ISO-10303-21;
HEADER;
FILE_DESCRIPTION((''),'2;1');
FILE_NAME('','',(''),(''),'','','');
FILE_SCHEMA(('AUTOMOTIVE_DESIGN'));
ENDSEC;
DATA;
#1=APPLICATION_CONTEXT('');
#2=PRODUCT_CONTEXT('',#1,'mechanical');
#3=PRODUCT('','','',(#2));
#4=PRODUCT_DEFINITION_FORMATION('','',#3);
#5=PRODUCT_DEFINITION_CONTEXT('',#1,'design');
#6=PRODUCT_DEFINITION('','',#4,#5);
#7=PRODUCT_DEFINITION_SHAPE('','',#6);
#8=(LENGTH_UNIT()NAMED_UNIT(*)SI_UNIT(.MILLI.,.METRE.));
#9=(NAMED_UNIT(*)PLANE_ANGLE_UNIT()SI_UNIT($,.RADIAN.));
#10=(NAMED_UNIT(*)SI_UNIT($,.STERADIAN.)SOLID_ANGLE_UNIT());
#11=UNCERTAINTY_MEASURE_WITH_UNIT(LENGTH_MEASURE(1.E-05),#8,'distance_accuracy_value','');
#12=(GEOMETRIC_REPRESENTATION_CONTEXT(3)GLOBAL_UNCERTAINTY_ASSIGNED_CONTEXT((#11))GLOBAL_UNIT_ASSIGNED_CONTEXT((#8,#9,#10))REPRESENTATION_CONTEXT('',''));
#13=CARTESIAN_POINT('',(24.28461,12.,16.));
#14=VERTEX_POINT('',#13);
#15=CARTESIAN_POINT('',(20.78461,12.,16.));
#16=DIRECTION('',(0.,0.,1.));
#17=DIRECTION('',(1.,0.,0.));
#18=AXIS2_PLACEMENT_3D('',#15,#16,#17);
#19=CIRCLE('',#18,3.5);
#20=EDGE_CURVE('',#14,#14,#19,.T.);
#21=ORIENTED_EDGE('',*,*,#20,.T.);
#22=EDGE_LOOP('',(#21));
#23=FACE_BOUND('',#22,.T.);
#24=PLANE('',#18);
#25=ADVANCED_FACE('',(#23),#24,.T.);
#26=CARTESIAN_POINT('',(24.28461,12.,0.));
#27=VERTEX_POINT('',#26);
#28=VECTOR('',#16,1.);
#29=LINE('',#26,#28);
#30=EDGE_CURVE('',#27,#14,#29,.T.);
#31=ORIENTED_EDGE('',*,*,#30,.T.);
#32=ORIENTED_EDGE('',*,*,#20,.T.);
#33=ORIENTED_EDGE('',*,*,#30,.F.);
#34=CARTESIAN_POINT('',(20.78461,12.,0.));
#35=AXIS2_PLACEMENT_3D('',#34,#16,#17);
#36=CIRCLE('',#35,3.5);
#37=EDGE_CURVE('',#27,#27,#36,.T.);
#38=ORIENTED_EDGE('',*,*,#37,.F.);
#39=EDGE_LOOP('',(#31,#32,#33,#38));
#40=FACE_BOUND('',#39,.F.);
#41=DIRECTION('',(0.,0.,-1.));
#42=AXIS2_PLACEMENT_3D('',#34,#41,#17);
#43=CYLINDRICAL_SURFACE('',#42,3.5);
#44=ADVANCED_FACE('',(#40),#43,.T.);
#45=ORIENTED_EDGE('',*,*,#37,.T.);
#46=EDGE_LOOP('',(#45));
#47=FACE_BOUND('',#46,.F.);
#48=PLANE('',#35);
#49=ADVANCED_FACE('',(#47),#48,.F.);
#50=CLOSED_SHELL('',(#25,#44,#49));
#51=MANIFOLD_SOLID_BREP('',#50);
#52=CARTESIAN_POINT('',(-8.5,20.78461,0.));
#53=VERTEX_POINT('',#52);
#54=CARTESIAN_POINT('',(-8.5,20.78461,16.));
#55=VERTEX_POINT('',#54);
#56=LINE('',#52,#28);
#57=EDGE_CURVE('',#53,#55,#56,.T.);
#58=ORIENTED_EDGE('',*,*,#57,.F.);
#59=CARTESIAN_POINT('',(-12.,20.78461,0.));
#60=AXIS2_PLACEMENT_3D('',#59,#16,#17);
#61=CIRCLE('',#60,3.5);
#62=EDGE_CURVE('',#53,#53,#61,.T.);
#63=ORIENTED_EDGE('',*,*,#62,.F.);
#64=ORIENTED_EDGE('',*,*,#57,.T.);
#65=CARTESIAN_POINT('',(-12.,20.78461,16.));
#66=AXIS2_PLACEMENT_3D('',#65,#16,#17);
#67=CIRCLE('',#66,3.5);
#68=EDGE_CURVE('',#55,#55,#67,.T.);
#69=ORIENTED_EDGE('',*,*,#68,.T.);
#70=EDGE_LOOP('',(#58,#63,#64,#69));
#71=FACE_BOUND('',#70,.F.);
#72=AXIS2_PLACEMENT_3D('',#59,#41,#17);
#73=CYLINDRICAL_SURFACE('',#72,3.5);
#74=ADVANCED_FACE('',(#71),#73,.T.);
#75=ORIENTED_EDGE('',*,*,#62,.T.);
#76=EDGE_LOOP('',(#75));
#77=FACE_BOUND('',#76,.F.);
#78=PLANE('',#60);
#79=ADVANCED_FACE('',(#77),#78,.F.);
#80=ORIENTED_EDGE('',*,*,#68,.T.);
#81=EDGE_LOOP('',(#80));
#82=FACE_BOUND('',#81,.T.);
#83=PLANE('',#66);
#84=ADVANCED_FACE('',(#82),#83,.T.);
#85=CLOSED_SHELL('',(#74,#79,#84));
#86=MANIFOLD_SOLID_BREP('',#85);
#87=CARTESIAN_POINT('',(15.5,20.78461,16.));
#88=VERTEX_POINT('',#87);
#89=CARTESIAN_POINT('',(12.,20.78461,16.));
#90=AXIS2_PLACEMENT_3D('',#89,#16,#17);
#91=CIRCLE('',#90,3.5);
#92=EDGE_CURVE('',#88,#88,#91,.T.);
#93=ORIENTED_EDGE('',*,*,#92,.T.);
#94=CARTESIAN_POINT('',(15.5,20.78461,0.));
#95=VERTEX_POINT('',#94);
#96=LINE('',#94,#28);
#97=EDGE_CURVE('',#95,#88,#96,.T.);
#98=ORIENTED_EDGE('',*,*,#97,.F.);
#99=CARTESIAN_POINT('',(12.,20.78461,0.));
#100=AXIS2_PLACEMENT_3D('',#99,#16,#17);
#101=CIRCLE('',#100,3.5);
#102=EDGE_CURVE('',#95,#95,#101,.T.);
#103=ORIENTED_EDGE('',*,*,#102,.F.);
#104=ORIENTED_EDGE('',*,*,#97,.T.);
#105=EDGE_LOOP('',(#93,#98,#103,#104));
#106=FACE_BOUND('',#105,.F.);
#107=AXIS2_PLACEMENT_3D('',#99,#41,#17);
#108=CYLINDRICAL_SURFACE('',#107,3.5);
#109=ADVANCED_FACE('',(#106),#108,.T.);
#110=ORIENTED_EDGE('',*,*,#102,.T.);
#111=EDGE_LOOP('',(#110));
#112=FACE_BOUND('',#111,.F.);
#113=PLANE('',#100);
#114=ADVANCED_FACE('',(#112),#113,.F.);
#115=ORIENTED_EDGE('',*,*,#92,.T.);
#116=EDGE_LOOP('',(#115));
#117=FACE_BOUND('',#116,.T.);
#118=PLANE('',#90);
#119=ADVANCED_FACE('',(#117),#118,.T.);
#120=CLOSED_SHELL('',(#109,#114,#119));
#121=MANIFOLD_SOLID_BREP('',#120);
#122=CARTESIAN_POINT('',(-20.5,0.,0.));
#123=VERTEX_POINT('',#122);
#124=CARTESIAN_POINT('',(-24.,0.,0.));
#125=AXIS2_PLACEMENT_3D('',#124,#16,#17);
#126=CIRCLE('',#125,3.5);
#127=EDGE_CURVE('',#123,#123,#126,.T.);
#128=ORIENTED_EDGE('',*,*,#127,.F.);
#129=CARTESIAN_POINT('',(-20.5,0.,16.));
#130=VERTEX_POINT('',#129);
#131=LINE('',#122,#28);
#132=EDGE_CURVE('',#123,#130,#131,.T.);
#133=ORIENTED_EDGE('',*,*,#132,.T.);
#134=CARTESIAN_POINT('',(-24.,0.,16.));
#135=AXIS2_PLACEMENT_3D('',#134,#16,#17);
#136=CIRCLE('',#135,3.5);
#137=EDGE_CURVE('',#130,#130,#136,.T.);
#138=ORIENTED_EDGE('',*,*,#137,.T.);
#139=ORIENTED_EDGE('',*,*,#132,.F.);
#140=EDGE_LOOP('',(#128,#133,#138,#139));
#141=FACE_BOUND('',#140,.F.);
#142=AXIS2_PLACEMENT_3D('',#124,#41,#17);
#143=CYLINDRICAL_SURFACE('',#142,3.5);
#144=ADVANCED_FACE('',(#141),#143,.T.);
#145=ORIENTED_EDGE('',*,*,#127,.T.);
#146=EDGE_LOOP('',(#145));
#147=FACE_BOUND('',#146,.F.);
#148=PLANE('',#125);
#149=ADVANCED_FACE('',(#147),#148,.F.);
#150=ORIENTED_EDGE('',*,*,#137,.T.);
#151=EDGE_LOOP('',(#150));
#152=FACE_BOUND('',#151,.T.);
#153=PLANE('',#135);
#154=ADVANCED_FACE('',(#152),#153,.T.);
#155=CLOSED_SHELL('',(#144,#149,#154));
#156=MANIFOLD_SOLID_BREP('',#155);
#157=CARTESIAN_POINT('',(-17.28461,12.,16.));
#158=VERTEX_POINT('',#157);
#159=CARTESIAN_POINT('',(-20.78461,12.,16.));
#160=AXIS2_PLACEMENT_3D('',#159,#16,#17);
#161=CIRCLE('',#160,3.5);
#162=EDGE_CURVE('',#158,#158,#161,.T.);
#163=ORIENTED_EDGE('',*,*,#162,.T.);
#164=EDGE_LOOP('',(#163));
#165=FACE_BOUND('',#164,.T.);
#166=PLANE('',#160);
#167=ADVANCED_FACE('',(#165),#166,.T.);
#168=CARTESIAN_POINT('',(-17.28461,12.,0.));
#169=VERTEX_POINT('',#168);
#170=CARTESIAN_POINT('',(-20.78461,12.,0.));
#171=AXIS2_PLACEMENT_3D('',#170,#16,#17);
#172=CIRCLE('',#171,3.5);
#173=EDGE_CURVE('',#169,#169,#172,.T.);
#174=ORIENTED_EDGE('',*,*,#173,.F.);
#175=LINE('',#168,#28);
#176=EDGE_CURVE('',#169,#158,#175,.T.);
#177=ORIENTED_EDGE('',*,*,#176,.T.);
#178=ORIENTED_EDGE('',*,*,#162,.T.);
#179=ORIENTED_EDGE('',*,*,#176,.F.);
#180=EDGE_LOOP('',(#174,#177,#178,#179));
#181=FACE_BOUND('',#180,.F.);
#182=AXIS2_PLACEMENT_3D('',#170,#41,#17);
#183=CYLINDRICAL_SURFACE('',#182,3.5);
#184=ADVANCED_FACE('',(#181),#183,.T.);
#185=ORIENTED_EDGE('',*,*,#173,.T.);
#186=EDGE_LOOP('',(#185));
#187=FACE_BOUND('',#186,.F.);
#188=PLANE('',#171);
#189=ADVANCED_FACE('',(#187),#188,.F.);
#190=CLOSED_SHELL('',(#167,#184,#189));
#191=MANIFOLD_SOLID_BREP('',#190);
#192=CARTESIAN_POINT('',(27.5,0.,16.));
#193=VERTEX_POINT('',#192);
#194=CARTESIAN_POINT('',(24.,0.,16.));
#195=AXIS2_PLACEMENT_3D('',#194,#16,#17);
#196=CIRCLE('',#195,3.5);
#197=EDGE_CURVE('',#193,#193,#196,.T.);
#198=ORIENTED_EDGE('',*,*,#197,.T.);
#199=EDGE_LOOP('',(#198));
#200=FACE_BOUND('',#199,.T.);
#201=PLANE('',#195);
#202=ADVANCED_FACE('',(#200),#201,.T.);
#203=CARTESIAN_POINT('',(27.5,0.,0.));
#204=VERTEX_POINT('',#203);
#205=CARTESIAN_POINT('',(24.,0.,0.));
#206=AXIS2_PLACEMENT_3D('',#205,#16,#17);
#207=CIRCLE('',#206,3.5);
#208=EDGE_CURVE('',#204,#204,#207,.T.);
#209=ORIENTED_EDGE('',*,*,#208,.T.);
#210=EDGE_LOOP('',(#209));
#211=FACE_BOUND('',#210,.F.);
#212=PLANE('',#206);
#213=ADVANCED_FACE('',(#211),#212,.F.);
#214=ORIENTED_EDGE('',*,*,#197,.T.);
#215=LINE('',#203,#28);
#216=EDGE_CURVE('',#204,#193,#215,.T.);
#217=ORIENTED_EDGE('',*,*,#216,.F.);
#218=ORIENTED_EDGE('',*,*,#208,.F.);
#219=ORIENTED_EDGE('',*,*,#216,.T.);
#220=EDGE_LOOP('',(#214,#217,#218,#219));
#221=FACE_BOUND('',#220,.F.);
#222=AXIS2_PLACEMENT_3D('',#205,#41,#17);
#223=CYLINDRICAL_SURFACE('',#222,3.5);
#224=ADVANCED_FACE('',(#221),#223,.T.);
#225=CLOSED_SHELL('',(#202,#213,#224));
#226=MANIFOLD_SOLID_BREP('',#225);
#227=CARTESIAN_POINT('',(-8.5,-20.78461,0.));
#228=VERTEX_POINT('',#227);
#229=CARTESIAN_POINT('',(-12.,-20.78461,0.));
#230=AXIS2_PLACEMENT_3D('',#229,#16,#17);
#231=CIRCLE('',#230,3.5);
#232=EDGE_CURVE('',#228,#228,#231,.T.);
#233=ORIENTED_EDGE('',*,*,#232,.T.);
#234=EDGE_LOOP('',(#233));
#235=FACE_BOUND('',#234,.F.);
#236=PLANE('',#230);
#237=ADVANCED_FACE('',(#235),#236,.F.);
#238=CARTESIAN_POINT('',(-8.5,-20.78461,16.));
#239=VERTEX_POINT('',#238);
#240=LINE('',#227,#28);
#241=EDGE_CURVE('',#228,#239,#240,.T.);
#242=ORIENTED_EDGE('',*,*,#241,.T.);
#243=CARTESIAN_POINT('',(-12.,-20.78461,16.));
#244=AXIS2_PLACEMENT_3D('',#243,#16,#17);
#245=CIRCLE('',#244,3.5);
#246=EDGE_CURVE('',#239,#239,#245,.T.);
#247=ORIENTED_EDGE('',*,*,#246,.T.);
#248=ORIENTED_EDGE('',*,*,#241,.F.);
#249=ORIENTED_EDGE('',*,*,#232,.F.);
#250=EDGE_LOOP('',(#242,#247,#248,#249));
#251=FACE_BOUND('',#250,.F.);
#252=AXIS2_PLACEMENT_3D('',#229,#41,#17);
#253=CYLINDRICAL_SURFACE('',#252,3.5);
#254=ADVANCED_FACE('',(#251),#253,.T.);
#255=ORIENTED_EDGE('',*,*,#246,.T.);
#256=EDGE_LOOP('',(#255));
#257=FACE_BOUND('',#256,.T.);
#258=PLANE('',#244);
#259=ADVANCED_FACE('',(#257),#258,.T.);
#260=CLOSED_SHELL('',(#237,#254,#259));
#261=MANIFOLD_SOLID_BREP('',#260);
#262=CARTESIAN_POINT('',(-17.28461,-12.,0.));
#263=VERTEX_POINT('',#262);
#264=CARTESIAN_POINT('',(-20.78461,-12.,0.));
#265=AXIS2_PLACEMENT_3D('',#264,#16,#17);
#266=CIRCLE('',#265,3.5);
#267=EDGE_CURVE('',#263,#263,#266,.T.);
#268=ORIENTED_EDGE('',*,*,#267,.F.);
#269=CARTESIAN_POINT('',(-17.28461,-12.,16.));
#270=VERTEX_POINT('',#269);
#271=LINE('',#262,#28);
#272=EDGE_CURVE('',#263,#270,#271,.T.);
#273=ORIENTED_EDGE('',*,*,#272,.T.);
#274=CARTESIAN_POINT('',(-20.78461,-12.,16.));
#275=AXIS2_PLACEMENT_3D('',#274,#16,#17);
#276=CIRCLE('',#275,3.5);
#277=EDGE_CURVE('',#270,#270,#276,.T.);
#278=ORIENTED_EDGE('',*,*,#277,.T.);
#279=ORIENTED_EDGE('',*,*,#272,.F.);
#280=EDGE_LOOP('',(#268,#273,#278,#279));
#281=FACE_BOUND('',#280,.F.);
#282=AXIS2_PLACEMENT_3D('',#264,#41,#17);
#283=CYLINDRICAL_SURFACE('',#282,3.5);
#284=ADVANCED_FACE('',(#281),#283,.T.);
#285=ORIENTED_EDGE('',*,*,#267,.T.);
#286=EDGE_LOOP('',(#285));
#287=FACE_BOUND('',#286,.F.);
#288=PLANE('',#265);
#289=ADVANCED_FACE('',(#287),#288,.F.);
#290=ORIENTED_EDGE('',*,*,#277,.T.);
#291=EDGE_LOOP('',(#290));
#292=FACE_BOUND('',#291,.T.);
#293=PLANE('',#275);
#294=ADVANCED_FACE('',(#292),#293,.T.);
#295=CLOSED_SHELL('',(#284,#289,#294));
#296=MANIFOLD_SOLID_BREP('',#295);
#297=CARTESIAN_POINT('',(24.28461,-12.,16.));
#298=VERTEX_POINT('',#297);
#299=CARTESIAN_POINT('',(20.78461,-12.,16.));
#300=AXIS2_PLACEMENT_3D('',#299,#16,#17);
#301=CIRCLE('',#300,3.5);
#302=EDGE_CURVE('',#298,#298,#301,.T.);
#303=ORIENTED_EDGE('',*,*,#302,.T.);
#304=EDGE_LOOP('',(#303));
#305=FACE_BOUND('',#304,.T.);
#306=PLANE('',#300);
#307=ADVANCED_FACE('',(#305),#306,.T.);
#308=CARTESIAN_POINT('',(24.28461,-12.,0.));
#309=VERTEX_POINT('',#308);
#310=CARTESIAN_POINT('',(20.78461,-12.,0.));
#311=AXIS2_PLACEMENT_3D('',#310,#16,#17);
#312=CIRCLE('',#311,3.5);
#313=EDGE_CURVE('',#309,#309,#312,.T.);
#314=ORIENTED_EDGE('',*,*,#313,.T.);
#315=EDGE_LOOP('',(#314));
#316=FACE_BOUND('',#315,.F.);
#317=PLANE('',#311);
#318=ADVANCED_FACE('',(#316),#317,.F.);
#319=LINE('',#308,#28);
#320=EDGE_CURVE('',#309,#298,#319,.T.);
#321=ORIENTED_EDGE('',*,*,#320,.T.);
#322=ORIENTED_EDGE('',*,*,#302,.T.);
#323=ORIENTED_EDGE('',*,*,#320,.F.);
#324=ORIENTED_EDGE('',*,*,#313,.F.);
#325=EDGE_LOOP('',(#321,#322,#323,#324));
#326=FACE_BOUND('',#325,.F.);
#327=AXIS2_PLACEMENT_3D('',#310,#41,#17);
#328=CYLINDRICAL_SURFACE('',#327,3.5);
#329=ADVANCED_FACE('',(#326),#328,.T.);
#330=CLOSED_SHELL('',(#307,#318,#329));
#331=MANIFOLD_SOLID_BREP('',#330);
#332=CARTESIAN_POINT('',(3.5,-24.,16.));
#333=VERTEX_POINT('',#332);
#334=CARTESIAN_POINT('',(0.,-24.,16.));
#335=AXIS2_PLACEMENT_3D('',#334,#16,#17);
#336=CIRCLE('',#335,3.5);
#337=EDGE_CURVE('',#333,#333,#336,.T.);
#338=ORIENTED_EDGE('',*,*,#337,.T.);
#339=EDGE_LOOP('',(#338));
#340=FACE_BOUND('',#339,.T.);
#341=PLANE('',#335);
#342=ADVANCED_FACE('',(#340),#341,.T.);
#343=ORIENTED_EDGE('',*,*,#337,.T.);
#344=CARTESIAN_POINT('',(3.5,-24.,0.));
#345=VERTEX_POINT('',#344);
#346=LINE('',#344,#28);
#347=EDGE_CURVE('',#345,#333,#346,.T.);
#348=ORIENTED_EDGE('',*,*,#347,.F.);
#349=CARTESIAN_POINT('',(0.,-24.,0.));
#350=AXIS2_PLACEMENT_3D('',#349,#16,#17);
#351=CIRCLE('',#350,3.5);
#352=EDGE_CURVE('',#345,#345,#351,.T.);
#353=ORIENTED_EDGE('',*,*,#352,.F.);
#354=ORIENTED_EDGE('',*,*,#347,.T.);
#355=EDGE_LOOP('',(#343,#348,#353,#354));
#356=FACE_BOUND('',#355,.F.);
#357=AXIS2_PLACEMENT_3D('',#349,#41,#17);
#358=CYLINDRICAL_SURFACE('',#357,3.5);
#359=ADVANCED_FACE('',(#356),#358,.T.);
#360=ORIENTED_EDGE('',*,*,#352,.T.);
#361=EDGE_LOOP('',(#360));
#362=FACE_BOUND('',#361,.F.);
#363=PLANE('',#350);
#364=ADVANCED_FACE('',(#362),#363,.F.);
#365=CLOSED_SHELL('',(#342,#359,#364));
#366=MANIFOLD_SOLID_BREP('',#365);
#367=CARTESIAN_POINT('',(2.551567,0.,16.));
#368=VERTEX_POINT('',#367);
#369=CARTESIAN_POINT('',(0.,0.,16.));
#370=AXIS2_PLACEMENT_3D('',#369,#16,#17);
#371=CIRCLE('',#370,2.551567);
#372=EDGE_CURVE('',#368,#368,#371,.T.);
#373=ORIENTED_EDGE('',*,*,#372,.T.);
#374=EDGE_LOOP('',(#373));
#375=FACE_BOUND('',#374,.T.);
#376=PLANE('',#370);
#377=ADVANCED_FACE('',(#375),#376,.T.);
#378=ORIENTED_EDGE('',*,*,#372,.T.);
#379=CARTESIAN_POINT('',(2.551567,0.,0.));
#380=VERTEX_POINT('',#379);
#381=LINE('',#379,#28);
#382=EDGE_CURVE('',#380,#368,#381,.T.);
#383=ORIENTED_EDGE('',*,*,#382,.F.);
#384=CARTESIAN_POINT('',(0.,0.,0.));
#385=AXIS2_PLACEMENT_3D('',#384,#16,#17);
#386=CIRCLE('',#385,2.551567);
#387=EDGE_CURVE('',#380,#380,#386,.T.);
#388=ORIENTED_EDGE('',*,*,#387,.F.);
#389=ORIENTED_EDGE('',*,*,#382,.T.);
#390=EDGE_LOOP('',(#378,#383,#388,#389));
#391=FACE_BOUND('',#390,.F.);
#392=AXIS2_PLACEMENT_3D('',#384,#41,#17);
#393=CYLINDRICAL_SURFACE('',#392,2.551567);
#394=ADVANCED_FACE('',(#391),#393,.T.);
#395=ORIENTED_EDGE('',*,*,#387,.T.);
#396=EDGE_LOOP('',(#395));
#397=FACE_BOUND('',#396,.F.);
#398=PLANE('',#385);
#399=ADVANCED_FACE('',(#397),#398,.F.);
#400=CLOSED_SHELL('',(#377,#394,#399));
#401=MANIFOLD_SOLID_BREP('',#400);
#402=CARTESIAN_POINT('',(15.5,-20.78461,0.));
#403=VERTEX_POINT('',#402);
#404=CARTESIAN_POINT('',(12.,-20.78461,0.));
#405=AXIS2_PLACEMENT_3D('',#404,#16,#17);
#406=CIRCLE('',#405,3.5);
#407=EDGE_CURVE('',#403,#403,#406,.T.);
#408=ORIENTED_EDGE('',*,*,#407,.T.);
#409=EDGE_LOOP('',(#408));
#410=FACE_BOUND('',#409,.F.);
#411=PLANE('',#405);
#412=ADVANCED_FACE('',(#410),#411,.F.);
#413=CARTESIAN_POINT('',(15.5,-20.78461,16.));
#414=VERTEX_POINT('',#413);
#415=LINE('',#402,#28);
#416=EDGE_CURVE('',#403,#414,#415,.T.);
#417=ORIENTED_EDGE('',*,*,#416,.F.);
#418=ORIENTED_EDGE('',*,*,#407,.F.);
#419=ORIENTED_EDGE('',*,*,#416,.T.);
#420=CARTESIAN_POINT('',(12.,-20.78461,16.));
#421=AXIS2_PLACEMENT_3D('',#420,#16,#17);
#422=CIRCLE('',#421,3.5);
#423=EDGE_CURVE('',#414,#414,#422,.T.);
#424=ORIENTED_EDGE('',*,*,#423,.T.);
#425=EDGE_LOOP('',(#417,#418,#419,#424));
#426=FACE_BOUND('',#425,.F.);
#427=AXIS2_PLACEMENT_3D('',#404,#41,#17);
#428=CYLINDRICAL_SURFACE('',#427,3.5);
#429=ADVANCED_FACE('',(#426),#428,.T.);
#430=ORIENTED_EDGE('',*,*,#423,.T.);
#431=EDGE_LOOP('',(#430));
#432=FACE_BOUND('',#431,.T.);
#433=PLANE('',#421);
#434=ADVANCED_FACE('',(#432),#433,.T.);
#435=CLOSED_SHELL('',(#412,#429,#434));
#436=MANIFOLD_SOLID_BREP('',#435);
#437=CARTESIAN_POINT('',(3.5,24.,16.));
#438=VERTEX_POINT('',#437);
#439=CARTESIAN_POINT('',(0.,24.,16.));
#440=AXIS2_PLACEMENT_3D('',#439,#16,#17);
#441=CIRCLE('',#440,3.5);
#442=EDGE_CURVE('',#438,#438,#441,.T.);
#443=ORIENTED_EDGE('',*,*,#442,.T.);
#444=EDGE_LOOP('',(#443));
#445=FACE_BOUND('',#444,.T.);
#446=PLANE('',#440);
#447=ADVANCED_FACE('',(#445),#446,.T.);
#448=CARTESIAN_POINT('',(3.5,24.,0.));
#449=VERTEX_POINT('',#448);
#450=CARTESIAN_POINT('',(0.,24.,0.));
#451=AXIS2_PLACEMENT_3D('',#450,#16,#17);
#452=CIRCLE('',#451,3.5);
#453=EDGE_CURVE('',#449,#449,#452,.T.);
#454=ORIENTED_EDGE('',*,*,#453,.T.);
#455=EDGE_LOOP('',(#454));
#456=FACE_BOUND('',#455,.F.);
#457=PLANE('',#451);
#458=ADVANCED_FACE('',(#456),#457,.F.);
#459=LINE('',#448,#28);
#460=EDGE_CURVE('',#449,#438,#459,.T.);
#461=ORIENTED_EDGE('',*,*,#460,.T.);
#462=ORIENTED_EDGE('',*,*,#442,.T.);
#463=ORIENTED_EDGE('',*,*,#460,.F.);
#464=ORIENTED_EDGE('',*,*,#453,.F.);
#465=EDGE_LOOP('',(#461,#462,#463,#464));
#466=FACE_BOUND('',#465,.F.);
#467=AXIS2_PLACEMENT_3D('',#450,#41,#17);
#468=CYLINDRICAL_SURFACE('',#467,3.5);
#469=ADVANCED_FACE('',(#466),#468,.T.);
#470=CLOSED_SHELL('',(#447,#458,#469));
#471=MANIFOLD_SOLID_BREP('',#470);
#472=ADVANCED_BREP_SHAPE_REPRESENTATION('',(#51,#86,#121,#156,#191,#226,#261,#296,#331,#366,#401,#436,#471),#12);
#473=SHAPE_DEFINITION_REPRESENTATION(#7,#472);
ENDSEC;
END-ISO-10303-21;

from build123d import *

# Parameters (mm, degrees)
F0_R     = 3.5
F0_R_2   = 2.551567
F1_DEPTH = 16


with BuildPart() as f1:
    # F0 (on Top) → F1 (new body)
    with BuildSketch(Plane.XY):
        with Locations((20.78461, 12)):
            Circle(F0_R)
        with Locations((24, 0)):
            Circle(F0_R)
        with Locations((12, 20.78461)):
            Circle(F0_R)
        with Locations((20.78461, -12)):
            Circle(F0_R)
        with Locations((12, -20.78461)):
            Circle(F0_R)
        with Locations((0, -24)):
            Circle(F0_R)
        with Locations((-12, -20.78461)):
            Circle(F0_R)
        with Locations((-20.78461, -12)):
            Circle(F0_R)
        with Locations((-24, 0)):
            Circle(F0_R)
        with Locations((-20.78461, 12)):
            Circle(F0_R)
        with Locations((-12, 20.78461)):
            Circle(F0_R)
        with Locations((0, 24)):
            Circle(F0_R)
        Circle(F0_R_2)
    extrude(amount=F1_DEPTH)


solid = f1.part
